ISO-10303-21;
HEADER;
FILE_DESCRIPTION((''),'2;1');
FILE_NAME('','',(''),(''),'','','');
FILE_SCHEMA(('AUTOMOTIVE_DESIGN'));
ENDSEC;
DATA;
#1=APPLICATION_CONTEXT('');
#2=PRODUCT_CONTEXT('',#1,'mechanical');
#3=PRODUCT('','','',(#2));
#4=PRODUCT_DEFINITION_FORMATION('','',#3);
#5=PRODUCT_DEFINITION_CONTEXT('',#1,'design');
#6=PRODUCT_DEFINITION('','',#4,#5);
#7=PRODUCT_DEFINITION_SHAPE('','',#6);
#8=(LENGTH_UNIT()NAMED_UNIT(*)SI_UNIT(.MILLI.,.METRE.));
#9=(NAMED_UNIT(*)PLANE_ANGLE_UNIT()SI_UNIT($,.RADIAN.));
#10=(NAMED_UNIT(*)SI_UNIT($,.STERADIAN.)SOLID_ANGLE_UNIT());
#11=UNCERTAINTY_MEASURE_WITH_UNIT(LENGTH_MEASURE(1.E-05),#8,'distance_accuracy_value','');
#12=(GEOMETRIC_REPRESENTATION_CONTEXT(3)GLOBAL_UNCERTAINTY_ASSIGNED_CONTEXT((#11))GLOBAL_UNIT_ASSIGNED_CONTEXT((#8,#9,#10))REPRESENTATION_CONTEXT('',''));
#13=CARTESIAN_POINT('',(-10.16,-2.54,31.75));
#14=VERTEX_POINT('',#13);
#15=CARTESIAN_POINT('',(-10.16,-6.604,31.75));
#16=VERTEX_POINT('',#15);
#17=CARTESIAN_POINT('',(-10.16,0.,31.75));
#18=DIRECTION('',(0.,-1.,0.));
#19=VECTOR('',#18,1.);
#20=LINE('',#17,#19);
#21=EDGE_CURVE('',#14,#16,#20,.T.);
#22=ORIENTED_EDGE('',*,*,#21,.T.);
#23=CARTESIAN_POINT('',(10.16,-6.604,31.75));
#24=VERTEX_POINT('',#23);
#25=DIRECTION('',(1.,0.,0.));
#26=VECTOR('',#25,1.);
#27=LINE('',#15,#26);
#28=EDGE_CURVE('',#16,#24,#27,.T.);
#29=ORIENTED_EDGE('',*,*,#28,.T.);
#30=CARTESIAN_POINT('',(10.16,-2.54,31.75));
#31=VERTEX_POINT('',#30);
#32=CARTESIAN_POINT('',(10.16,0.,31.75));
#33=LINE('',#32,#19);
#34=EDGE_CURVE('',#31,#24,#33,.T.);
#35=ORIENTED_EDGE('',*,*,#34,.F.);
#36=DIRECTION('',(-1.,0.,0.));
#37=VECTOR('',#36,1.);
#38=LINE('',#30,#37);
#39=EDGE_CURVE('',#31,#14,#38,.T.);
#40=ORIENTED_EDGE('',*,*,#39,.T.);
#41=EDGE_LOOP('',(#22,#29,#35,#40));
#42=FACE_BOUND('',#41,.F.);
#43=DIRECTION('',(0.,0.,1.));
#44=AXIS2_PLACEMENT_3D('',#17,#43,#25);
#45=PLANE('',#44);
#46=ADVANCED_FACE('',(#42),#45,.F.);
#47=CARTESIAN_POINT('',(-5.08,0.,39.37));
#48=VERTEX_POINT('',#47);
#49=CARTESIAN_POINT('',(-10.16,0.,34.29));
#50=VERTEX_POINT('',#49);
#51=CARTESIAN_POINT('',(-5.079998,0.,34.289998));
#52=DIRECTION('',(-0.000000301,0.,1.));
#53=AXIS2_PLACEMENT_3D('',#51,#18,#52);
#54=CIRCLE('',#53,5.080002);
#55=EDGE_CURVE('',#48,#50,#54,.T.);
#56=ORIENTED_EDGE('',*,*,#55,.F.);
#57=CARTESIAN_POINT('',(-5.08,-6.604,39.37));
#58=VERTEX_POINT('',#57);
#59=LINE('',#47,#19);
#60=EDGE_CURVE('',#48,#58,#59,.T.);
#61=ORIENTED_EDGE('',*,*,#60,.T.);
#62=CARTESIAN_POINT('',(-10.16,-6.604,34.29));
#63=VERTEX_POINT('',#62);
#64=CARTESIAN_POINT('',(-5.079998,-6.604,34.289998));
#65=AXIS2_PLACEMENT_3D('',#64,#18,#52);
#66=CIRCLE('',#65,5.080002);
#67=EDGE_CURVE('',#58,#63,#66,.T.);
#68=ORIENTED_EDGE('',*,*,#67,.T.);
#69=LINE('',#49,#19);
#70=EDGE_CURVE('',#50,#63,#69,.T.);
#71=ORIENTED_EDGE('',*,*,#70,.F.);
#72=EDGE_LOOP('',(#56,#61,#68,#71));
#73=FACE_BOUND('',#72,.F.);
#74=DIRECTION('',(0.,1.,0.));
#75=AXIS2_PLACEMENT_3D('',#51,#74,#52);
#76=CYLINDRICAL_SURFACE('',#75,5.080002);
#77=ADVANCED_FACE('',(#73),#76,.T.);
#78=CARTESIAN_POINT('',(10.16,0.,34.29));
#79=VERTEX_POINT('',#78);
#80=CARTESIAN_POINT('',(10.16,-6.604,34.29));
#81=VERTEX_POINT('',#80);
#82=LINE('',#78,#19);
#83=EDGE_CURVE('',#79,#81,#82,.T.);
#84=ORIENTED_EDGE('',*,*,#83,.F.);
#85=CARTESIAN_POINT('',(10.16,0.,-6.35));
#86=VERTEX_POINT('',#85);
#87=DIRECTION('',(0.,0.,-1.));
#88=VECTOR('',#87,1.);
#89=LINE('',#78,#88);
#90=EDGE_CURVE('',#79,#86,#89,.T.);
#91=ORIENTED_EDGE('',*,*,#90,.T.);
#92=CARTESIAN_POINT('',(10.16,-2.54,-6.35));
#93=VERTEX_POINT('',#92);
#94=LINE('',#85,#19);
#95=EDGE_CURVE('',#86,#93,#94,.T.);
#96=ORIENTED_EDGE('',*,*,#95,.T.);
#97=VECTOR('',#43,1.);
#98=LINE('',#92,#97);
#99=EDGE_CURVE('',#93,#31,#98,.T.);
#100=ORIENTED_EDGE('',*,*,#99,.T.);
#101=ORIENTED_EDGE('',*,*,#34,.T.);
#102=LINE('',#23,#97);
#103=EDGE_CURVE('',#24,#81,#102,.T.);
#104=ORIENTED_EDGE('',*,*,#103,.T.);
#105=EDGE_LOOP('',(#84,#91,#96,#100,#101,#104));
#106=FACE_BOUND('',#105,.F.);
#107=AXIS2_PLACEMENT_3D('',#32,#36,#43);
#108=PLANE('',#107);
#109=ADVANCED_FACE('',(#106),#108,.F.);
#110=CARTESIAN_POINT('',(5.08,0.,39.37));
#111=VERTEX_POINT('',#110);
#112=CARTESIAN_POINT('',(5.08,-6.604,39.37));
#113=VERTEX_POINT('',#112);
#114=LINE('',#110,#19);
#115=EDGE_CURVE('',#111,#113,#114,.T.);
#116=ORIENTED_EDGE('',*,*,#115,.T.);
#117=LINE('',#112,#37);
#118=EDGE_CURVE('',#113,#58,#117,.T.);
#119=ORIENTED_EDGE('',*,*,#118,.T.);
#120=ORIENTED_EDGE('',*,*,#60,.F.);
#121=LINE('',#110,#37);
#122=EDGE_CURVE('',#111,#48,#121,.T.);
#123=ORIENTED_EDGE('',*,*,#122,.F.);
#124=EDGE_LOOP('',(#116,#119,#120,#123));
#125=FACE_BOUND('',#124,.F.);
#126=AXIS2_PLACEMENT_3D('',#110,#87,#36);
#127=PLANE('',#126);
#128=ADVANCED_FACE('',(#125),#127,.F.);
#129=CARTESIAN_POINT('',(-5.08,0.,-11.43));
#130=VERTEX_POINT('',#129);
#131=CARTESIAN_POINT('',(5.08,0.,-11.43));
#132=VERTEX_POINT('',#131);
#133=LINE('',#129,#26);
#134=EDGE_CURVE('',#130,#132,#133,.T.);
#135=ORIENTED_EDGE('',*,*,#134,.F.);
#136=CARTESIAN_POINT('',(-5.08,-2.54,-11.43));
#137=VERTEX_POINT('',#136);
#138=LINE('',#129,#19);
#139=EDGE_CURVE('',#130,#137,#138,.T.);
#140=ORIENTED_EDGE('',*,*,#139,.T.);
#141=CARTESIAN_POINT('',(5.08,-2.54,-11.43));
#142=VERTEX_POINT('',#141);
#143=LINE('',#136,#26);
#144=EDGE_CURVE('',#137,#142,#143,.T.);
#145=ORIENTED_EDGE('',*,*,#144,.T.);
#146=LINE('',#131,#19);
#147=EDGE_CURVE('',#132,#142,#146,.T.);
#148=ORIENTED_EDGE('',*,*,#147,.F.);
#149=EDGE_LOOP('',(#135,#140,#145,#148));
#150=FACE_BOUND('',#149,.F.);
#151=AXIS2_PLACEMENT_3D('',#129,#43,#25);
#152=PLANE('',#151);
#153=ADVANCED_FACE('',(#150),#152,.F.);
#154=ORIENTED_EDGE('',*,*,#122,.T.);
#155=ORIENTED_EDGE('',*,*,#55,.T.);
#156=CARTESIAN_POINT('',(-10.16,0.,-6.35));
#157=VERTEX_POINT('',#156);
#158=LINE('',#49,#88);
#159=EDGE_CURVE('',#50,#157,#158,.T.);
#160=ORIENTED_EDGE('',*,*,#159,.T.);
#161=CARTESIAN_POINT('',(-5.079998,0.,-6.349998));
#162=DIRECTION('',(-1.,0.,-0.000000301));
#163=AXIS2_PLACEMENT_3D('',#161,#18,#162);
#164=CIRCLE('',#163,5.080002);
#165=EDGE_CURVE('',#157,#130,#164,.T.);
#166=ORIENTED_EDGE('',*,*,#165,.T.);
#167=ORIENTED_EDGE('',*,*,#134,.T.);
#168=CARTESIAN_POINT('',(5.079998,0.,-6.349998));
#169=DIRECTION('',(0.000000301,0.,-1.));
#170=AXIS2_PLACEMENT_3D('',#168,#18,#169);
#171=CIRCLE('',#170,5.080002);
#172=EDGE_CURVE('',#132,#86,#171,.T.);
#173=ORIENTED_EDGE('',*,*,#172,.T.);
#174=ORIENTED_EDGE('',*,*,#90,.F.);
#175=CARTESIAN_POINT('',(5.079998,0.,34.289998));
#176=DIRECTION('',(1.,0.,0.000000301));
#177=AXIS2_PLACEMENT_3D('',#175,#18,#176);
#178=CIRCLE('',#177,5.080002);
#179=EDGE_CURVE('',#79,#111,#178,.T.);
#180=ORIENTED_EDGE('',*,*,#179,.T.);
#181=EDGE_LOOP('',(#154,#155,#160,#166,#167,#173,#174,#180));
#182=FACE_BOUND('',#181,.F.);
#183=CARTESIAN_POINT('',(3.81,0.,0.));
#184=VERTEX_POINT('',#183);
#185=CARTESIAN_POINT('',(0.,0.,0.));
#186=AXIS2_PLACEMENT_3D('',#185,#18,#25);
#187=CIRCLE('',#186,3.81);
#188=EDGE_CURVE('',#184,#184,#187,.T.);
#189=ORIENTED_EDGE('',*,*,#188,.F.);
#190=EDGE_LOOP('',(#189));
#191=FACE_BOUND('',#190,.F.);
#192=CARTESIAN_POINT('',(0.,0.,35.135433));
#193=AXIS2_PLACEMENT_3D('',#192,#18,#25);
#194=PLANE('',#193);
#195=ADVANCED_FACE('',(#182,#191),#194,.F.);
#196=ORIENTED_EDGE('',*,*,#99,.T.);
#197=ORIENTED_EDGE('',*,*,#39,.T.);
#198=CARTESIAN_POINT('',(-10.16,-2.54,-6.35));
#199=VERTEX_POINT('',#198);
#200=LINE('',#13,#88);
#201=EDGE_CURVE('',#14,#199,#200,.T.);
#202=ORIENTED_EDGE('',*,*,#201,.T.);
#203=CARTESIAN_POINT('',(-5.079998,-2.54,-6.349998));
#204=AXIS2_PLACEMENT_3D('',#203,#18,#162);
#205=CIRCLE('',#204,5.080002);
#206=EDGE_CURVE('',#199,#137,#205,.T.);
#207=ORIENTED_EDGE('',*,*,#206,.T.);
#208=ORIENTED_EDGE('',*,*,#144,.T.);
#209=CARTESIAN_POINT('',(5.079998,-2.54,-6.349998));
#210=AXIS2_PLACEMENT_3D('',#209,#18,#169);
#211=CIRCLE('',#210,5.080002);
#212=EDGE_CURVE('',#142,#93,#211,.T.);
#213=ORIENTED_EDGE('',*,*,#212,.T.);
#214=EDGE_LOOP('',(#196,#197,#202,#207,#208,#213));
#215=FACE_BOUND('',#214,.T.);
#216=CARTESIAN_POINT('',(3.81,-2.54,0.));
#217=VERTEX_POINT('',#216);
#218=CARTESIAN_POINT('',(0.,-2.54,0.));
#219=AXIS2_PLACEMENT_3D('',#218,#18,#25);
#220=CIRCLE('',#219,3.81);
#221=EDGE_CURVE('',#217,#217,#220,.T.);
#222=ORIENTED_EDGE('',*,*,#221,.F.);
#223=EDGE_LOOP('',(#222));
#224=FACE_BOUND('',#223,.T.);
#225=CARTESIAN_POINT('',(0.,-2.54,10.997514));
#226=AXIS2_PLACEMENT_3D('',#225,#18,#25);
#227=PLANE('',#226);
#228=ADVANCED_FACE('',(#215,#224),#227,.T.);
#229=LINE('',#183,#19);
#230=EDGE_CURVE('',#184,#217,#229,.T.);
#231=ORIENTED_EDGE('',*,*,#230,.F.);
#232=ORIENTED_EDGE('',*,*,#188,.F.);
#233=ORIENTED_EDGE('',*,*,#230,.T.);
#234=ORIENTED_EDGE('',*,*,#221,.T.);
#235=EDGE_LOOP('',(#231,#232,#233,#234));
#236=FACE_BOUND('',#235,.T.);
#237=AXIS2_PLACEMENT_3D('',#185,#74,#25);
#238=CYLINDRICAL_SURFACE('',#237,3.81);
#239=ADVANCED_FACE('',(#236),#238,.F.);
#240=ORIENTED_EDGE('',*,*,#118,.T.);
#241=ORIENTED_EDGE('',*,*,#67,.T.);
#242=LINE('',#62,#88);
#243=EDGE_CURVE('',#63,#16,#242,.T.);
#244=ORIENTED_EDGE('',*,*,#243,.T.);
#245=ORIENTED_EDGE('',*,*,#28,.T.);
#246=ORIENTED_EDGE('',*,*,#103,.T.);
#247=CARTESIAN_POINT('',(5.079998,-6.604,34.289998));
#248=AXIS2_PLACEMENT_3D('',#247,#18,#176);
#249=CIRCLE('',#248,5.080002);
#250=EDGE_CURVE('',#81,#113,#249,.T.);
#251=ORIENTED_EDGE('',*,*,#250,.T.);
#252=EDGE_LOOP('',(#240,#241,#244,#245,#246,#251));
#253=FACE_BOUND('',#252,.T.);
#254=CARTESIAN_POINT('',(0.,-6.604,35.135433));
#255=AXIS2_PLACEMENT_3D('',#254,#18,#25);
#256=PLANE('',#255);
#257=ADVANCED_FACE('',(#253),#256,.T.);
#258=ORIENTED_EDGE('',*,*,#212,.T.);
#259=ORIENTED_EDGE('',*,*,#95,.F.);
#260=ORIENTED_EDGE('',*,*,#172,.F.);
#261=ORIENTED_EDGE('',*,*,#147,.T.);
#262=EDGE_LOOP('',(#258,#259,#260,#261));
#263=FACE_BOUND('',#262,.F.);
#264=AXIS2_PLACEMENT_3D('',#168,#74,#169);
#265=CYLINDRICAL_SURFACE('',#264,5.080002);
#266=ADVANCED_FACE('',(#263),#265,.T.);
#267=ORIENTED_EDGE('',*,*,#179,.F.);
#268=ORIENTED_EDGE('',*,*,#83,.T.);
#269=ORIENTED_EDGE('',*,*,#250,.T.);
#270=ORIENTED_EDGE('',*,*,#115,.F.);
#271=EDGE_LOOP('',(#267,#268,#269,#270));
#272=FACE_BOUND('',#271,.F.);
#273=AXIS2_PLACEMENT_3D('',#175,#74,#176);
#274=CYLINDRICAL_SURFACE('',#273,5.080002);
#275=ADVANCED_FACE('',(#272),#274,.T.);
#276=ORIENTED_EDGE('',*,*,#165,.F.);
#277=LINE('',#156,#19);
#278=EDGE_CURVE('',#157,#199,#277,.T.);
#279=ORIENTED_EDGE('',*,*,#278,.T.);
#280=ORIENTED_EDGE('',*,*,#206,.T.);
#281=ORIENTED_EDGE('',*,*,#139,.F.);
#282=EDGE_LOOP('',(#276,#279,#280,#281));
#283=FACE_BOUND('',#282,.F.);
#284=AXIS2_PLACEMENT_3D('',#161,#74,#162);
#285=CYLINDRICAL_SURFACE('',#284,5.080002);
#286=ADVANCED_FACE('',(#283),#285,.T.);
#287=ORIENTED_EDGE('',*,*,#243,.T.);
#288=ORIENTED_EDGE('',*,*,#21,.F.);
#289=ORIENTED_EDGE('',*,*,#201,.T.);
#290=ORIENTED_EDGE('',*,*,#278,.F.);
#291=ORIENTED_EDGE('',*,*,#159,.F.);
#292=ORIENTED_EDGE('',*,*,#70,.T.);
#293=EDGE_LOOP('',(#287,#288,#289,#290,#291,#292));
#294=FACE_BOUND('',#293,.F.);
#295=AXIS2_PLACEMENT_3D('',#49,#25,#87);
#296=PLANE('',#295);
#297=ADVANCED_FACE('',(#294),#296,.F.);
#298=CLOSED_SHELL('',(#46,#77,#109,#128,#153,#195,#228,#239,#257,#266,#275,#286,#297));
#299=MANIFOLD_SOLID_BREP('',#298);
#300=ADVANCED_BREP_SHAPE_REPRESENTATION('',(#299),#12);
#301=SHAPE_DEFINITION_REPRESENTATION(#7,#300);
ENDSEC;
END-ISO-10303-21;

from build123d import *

# Parameters (mm, degrees)
F0_R     = 3.81
F1_DEPTH = 2.54
F2_DEPTH = 6.604


with BuildPart() as f1:
    # F0 (on Front) → F1 (new body)
    with BuildSketch(Plane.XZ):
        with BuildLine():
            ThreePointArc((-10.16, -6.35), (-8.672102, -9.942102), (-5.08, -11.43))
            Line((-5.08, -11.43), (5.08, -11.43))
            ThreePointArc((5.08, -11.43), (8.672102, -9.942102), (10.16, -6.35))
            Line((10.16, -6.35), (10.16, 31.75))
            Line((10.16, 31.75), (-10.16, 31.75))
            Line((-10.16, 31.75), (-10.16, -6.35))
        make_face()
        Circle(F0_R, mode=Mode.SUBTRACT)
    extrude(amount=F1_DEPTH)

    # F0 (on Front) → F2 (join)
    with BuildSketch(Plane.XZ):
        with BuildLine():
            Line((-10.16, 34.29), (-10.16, 31.75))
            Line((-10.16, 31.75), (10.16, 31.75))
            Line((10.16, 31.75), (10.16, 34.29))
            ThreePointArc((10.16, 34.29), (8.672102, 37.882102), (5.08, 39.37))
            Line((5.08, 39.37), (-5.08, 39.37))
            ThreePointArc((-5.08, 39.37), (-8.672102, 37.882102), (-10.16, 34.29))
        make_face()
    extrude(amount=F2_DEPTH)


solid = f1.part
